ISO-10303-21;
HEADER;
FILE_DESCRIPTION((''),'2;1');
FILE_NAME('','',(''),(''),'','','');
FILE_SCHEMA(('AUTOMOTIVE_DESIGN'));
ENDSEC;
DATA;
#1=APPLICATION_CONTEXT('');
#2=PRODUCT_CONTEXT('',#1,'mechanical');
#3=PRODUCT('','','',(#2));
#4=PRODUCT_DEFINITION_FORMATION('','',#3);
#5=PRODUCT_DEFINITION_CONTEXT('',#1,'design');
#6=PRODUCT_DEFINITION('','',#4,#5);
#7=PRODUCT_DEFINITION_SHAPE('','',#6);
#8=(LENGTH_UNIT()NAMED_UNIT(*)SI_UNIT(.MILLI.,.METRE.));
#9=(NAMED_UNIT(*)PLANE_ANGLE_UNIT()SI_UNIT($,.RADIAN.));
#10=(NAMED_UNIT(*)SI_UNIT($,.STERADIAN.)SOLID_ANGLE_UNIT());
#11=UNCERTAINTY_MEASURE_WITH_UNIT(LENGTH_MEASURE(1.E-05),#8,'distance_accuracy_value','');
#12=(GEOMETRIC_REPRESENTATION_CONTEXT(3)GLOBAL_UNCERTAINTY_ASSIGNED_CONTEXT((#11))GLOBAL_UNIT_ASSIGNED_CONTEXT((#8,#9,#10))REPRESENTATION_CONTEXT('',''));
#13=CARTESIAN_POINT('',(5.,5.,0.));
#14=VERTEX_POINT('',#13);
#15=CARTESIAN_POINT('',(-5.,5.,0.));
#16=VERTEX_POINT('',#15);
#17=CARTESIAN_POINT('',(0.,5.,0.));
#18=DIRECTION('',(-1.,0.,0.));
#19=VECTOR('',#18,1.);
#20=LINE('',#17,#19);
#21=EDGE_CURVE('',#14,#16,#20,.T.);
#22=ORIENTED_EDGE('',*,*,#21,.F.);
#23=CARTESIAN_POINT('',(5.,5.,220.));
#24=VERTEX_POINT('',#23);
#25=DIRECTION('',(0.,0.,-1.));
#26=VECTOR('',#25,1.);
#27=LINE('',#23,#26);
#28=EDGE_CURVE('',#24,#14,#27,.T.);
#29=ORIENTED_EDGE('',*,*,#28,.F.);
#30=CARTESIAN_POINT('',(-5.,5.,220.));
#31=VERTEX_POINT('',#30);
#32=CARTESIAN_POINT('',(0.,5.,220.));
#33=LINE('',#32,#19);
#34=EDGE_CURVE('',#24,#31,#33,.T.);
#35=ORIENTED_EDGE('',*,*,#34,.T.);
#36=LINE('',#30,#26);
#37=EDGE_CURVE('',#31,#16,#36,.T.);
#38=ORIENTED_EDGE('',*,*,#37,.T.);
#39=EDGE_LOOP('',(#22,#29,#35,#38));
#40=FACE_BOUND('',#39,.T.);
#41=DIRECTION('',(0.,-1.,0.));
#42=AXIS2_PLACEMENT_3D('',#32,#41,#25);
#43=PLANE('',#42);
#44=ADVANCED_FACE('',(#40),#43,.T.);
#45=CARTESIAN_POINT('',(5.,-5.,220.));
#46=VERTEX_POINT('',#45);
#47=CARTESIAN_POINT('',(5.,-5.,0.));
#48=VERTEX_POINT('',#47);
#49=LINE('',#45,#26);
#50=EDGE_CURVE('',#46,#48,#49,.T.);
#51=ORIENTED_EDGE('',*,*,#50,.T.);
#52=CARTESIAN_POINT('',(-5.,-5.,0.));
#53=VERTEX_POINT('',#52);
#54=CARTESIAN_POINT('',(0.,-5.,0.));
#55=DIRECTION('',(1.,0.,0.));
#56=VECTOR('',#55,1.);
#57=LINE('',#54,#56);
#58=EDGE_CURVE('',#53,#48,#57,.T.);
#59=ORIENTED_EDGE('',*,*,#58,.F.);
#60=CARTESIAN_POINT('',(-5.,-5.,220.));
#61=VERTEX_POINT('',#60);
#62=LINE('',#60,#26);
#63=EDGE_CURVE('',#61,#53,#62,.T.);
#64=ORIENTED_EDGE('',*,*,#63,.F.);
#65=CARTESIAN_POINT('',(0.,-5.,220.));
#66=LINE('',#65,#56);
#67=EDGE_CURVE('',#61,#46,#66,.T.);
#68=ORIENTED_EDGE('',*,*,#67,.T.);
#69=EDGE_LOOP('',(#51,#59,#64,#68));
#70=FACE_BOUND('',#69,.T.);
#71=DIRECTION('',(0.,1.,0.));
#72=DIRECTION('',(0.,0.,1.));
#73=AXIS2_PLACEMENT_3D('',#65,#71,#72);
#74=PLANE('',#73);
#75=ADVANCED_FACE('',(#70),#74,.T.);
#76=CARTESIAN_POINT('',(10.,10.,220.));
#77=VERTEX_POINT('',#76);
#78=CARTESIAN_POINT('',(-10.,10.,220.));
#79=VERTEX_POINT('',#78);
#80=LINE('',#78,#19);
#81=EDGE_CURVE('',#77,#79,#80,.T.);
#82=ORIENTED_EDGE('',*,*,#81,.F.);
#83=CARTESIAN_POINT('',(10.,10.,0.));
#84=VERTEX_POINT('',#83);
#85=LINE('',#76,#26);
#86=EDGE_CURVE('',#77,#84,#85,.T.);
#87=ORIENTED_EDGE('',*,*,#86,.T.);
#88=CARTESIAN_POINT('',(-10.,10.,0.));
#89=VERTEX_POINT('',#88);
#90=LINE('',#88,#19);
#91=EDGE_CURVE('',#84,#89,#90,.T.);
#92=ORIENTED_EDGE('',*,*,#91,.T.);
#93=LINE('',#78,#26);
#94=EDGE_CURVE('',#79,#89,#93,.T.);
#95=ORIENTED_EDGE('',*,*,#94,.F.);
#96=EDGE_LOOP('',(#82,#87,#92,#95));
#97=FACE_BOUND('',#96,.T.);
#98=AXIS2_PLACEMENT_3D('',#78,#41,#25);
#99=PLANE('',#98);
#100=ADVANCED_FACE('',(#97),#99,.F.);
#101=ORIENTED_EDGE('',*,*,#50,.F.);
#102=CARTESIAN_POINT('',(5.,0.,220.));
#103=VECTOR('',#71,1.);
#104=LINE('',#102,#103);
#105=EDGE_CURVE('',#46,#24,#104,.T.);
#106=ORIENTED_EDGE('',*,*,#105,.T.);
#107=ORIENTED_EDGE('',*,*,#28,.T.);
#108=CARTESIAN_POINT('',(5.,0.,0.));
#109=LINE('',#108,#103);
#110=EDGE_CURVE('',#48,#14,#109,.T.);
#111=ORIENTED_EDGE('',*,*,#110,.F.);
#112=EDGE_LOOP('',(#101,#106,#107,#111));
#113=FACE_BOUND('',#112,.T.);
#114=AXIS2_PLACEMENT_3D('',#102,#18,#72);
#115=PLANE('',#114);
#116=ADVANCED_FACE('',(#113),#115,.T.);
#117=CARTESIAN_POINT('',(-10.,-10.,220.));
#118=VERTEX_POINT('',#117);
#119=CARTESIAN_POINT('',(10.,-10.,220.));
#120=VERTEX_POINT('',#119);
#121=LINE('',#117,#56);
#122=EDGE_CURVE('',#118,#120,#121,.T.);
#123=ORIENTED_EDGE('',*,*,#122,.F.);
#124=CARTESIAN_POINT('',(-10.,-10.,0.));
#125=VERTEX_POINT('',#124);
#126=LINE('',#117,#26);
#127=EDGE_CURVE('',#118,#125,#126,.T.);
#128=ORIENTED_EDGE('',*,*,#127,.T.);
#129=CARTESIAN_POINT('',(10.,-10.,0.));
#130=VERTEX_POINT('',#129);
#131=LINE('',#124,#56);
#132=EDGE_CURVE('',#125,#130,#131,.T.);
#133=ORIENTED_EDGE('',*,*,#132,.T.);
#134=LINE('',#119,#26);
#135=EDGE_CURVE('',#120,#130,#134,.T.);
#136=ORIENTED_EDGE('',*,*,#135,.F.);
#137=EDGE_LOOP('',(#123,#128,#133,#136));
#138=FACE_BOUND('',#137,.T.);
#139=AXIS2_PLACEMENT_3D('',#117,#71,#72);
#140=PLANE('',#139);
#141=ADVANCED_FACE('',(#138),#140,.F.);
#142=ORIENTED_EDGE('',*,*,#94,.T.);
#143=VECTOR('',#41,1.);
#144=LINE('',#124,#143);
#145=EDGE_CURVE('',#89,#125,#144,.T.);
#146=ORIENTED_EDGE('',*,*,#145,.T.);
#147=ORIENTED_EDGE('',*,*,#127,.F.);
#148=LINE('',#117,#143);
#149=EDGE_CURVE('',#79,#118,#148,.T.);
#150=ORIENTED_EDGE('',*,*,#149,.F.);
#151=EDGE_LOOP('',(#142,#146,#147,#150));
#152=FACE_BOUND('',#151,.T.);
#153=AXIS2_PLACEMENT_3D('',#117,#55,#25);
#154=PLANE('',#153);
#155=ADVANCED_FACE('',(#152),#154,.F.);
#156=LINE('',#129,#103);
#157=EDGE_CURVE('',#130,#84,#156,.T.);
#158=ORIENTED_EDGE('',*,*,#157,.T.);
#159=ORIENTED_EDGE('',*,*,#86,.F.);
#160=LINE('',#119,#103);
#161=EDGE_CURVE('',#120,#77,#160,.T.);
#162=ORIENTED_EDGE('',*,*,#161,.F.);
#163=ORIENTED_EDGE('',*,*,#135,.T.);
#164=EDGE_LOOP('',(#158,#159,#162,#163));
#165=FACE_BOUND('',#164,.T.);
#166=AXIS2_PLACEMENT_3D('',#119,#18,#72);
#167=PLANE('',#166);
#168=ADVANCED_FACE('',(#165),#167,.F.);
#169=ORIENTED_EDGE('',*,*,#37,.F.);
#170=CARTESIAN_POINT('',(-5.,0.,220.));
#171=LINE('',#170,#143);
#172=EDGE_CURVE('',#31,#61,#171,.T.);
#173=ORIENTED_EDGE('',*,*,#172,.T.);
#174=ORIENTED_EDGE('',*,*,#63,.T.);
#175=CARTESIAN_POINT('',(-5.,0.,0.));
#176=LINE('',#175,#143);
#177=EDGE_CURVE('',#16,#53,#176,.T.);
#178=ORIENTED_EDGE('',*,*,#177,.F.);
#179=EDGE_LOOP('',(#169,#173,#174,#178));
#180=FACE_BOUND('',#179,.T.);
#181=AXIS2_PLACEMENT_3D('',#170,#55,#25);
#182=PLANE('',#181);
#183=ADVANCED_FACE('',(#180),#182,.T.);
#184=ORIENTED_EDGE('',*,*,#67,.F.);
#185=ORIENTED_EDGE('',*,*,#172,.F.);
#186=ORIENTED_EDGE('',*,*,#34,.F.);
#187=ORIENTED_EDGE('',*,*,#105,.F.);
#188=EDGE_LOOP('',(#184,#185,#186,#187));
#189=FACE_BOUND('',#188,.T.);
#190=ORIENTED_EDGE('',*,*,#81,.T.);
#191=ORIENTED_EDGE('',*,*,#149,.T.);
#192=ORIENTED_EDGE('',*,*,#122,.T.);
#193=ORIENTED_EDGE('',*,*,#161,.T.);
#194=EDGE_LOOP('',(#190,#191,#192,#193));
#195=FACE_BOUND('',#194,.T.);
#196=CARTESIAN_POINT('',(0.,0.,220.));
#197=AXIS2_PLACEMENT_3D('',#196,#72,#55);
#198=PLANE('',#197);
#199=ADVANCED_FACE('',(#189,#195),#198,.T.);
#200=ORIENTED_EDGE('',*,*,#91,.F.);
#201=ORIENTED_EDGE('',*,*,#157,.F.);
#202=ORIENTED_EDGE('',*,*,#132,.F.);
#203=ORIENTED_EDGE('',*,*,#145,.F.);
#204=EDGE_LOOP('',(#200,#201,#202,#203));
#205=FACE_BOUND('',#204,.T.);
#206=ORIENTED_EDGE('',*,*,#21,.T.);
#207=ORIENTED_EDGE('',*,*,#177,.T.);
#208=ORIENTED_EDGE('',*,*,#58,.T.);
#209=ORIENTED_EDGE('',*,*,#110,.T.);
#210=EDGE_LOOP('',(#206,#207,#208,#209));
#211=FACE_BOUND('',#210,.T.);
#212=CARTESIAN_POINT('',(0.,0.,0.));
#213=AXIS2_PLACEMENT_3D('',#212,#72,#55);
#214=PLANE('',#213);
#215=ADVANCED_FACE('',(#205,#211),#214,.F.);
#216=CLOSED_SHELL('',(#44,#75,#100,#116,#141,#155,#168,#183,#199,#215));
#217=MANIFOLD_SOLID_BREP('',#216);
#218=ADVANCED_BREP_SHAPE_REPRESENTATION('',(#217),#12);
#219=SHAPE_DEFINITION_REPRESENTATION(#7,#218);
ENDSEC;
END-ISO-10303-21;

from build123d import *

# Parameters (mm, degrees)
SKETCH1_W           = 20
SKETCH1_H           = 20
SKETCH1_W_2         = 10
SKETCH1_H_2         = 10
EXTRUDE_THIN1_DEPTH = 220


with BuildPart() as part:
    # Sketch1 → Extrude-Thin1 (new body)
    with BuildSketch(Plane.XY):
        Rectangle(SKETCH1_W, SKETCH1_H)
        Rectangle(SKETCH1_W_2, SKETCH1_H_2, mode=Mode.SUBTRACT)
    extrude(amount=EXTRUDE_THIN1_DEPTH)


solid = part.part
